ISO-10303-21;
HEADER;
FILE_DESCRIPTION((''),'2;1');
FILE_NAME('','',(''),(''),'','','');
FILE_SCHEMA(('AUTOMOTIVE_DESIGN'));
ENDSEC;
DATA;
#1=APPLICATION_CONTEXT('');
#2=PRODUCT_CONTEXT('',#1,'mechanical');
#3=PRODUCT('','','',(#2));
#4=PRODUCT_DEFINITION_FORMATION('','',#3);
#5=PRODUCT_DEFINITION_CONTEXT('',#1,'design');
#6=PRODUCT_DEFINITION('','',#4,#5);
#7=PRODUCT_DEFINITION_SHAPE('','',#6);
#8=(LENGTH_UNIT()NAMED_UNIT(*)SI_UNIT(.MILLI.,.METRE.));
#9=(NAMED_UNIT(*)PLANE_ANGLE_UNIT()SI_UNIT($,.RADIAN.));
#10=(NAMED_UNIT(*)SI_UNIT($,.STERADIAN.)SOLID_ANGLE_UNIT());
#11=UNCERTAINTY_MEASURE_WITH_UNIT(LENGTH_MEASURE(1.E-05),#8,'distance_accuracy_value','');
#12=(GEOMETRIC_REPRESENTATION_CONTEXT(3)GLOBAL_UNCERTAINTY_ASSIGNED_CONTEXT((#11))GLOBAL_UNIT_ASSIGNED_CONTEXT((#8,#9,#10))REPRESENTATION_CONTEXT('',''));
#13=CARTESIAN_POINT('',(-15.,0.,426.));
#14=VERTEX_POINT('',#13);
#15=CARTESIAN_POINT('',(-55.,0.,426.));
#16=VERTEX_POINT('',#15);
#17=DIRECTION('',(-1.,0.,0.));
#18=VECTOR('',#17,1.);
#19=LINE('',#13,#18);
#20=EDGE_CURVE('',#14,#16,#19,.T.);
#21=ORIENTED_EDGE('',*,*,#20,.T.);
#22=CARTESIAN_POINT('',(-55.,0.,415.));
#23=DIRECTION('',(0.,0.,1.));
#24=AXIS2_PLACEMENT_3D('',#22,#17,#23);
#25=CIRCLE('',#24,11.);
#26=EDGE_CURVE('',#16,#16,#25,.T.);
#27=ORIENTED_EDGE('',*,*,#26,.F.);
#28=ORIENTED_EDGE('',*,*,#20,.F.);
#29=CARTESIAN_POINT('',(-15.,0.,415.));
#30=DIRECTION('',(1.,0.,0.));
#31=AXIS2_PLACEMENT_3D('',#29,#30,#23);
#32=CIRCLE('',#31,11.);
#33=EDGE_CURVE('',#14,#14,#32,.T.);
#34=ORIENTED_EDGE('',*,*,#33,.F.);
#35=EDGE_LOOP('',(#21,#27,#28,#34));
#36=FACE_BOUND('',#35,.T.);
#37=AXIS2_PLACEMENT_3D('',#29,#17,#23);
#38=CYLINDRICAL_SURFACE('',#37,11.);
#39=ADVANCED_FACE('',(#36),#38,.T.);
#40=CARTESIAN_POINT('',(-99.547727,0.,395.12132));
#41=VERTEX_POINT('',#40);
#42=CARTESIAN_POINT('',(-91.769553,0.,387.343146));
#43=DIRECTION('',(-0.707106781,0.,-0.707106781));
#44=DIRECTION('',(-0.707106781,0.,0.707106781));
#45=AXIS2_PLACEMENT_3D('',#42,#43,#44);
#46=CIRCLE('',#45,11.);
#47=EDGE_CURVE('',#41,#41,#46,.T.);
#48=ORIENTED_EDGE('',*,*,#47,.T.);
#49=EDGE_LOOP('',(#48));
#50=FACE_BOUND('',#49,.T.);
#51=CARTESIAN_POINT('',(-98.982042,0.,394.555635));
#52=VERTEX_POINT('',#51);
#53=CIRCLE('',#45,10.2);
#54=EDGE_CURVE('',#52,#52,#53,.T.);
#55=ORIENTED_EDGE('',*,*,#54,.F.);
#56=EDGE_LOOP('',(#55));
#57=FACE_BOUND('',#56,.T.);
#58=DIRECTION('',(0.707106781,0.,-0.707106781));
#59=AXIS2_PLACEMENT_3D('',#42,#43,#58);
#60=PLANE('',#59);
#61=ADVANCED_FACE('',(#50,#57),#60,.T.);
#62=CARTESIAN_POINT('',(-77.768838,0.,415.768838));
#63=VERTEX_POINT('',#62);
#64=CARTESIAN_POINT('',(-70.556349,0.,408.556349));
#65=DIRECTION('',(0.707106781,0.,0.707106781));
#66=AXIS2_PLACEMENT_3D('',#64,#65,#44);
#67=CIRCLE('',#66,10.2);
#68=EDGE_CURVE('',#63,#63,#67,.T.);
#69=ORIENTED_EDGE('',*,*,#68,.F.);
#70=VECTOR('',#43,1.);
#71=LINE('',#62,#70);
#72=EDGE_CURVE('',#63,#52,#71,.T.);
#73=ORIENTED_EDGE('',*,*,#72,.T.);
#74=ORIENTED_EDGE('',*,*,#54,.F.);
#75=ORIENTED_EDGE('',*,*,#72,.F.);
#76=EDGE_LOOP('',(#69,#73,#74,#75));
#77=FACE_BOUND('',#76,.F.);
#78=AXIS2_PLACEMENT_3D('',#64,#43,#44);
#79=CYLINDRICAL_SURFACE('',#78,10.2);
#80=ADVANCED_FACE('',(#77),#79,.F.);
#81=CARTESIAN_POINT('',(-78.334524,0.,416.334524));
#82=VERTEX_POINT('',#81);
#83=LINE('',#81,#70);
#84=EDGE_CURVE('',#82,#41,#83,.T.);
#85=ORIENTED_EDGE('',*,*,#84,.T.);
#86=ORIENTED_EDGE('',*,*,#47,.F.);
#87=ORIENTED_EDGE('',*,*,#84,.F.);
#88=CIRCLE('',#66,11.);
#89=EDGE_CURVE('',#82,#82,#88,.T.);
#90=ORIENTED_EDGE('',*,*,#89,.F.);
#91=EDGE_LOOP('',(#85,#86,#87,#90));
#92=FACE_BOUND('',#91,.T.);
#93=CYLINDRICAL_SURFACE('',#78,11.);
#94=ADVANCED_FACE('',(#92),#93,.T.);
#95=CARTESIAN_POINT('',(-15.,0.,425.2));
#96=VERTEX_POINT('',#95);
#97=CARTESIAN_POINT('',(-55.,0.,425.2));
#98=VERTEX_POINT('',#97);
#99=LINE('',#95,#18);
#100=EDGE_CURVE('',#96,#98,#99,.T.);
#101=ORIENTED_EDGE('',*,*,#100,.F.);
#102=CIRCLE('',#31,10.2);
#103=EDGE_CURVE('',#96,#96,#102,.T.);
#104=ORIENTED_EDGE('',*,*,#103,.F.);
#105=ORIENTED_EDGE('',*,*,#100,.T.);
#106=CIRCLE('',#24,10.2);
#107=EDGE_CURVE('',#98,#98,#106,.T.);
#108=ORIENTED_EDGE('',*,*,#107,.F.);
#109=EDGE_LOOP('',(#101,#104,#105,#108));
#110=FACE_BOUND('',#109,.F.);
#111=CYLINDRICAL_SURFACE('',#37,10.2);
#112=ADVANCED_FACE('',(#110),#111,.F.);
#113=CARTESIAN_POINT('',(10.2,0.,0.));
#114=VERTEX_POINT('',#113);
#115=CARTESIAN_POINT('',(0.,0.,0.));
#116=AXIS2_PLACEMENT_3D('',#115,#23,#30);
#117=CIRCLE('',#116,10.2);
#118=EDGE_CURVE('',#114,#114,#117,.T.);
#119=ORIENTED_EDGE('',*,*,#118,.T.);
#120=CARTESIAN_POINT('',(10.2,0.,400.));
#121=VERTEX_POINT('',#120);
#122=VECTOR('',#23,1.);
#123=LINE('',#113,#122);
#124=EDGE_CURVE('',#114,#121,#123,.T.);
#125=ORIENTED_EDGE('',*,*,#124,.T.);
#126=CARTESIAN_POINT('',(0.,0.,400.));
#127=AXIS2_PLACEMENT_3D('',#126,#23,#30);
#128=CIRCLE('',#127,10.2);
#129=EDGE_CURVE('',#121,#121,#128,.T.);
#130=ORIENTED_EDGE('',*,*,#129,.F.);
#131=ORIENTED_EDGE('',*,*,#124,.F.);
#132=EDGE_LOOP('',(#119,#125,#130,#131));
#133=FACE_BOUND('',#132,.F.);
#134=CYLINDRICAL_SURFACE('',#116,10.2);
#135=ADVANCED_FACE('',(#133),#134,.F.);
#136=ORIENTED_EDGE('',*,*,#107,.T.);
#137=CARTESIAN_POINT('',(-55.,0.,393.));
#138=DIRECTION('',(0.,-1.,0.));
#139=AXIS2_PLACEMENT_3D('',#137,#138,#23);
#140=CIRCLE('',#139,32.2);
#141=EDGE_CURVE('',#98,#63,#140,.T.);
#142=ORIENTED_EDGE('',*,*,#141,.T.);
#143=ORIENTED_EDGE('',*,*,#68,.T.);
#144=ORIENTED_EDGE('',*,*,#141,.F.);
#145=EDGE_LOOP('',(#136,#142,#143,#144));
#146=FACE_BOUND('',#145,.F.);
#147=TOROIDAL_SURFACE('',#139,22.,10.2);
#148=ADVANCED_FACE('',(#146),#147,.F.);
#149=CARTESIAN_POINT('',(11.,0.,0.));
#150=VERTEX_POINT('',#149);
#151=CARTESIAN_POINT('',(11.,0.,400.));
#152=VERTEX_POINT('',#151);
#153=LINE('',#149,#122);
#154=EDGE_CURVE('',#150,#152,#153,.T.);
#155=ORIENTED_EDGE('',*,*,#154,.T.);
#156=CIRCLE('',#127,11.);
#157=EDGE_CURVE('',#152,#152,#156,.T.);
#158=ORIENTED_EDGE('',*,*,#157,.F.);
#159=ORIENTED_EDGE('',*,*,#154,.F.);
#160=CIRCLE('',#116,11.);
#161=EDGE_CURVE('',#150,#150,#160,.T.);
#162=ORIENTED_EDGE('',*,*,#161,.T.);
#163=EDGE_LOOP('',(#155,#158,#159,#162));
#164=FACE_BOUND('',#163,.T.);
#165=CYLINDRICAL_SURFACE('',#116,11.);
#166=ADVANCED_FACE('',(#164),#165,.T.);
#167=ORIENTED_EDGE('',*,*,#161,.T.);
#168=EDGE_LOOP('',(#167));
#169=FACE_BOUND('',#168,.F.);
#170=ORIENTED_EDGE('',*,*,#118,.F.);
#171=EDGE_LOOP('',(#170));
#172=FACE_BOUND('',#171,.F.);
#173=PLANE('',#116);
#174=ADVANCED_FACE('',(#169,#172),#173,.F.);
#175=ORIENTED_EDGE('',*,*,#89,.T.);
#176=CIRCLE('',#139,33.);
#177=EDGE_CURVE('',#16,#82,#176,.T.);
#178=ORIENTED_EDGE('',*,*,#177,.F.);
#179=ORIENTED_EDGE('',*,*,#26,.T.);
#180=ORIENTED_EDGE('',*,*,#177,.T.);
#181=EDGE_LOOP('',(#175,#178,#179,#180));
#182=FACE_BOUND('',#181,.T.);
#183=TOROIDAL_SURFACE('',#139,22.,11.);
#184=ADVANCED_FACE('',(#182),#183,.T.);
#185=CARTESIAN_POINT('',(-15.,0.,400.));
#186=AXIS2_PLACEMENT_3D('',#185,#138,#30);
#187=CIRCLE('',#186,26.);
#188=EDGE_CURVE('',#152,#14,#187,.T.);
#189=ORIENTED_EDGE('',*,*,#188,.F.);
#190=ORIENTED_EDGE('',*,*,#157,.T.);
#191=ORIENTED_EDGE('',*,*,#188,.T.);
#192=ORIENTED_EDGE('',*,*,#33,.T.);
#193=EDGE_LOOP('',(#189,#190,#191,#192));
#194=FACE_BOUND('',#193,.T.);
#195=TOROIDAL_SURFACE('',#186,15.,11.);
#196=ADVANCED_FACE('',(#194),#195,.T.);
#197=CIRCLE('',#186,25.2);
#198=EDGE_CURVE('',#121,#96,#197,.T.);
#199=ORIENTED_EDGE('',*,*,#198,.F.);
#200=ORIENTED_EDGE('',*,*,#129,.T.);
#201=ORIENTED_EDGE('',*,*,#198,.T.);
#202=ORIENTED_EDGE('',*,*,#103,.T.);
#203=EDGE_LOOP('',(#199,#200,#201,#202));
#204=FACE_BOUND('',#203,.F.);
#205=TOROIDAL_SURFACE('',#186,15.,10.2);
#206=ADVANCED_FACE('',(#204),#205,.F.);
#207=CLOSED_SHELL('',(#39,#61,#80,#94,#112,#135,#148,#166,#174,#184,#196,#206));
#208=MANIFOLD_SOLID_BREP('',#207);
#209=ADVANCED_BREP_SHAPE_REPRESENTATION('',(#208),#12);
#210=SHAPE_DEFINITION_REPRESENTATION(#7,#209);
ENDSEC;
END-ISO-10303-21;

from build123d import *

# Parameters (mm, degrees)
F1_R = 11
F3_T = -0.8


with BuildPart() as f2:
    # F2: sweep along a path in F0
    with BuildLine(Plane.XZ) as f2_path:
        Line((0, 0), (0, 400))
        ThreePointArc((0, 400), (-4.3933982822, 410.6066017178), (-15, 415))
        Line((-15, 415), (-55, 415))
        ThreePointArc((-55, 415), (-63.419035512, 413.3253497152), (-70.5563491861, 408.5563491861))
        Line((-70.5563491861, 408.5563491861), (-91.7695526217, 387.3431457505))
    # F1 (on Top) → F2 (sweep)
    with BuildSketch(Plane.XY):
        Circle(F1_R)
    sweep(path=f2_path.line)

    # F3
    f3_openings = [f2.faces().sort_by_distance(p)[0] for p in [
        (-91.769553, 0, 387.343146),
        (0, 0, 0),
    ]]
    offset(amount=F3_T, openings=f3_openings)


solid = f2.part
